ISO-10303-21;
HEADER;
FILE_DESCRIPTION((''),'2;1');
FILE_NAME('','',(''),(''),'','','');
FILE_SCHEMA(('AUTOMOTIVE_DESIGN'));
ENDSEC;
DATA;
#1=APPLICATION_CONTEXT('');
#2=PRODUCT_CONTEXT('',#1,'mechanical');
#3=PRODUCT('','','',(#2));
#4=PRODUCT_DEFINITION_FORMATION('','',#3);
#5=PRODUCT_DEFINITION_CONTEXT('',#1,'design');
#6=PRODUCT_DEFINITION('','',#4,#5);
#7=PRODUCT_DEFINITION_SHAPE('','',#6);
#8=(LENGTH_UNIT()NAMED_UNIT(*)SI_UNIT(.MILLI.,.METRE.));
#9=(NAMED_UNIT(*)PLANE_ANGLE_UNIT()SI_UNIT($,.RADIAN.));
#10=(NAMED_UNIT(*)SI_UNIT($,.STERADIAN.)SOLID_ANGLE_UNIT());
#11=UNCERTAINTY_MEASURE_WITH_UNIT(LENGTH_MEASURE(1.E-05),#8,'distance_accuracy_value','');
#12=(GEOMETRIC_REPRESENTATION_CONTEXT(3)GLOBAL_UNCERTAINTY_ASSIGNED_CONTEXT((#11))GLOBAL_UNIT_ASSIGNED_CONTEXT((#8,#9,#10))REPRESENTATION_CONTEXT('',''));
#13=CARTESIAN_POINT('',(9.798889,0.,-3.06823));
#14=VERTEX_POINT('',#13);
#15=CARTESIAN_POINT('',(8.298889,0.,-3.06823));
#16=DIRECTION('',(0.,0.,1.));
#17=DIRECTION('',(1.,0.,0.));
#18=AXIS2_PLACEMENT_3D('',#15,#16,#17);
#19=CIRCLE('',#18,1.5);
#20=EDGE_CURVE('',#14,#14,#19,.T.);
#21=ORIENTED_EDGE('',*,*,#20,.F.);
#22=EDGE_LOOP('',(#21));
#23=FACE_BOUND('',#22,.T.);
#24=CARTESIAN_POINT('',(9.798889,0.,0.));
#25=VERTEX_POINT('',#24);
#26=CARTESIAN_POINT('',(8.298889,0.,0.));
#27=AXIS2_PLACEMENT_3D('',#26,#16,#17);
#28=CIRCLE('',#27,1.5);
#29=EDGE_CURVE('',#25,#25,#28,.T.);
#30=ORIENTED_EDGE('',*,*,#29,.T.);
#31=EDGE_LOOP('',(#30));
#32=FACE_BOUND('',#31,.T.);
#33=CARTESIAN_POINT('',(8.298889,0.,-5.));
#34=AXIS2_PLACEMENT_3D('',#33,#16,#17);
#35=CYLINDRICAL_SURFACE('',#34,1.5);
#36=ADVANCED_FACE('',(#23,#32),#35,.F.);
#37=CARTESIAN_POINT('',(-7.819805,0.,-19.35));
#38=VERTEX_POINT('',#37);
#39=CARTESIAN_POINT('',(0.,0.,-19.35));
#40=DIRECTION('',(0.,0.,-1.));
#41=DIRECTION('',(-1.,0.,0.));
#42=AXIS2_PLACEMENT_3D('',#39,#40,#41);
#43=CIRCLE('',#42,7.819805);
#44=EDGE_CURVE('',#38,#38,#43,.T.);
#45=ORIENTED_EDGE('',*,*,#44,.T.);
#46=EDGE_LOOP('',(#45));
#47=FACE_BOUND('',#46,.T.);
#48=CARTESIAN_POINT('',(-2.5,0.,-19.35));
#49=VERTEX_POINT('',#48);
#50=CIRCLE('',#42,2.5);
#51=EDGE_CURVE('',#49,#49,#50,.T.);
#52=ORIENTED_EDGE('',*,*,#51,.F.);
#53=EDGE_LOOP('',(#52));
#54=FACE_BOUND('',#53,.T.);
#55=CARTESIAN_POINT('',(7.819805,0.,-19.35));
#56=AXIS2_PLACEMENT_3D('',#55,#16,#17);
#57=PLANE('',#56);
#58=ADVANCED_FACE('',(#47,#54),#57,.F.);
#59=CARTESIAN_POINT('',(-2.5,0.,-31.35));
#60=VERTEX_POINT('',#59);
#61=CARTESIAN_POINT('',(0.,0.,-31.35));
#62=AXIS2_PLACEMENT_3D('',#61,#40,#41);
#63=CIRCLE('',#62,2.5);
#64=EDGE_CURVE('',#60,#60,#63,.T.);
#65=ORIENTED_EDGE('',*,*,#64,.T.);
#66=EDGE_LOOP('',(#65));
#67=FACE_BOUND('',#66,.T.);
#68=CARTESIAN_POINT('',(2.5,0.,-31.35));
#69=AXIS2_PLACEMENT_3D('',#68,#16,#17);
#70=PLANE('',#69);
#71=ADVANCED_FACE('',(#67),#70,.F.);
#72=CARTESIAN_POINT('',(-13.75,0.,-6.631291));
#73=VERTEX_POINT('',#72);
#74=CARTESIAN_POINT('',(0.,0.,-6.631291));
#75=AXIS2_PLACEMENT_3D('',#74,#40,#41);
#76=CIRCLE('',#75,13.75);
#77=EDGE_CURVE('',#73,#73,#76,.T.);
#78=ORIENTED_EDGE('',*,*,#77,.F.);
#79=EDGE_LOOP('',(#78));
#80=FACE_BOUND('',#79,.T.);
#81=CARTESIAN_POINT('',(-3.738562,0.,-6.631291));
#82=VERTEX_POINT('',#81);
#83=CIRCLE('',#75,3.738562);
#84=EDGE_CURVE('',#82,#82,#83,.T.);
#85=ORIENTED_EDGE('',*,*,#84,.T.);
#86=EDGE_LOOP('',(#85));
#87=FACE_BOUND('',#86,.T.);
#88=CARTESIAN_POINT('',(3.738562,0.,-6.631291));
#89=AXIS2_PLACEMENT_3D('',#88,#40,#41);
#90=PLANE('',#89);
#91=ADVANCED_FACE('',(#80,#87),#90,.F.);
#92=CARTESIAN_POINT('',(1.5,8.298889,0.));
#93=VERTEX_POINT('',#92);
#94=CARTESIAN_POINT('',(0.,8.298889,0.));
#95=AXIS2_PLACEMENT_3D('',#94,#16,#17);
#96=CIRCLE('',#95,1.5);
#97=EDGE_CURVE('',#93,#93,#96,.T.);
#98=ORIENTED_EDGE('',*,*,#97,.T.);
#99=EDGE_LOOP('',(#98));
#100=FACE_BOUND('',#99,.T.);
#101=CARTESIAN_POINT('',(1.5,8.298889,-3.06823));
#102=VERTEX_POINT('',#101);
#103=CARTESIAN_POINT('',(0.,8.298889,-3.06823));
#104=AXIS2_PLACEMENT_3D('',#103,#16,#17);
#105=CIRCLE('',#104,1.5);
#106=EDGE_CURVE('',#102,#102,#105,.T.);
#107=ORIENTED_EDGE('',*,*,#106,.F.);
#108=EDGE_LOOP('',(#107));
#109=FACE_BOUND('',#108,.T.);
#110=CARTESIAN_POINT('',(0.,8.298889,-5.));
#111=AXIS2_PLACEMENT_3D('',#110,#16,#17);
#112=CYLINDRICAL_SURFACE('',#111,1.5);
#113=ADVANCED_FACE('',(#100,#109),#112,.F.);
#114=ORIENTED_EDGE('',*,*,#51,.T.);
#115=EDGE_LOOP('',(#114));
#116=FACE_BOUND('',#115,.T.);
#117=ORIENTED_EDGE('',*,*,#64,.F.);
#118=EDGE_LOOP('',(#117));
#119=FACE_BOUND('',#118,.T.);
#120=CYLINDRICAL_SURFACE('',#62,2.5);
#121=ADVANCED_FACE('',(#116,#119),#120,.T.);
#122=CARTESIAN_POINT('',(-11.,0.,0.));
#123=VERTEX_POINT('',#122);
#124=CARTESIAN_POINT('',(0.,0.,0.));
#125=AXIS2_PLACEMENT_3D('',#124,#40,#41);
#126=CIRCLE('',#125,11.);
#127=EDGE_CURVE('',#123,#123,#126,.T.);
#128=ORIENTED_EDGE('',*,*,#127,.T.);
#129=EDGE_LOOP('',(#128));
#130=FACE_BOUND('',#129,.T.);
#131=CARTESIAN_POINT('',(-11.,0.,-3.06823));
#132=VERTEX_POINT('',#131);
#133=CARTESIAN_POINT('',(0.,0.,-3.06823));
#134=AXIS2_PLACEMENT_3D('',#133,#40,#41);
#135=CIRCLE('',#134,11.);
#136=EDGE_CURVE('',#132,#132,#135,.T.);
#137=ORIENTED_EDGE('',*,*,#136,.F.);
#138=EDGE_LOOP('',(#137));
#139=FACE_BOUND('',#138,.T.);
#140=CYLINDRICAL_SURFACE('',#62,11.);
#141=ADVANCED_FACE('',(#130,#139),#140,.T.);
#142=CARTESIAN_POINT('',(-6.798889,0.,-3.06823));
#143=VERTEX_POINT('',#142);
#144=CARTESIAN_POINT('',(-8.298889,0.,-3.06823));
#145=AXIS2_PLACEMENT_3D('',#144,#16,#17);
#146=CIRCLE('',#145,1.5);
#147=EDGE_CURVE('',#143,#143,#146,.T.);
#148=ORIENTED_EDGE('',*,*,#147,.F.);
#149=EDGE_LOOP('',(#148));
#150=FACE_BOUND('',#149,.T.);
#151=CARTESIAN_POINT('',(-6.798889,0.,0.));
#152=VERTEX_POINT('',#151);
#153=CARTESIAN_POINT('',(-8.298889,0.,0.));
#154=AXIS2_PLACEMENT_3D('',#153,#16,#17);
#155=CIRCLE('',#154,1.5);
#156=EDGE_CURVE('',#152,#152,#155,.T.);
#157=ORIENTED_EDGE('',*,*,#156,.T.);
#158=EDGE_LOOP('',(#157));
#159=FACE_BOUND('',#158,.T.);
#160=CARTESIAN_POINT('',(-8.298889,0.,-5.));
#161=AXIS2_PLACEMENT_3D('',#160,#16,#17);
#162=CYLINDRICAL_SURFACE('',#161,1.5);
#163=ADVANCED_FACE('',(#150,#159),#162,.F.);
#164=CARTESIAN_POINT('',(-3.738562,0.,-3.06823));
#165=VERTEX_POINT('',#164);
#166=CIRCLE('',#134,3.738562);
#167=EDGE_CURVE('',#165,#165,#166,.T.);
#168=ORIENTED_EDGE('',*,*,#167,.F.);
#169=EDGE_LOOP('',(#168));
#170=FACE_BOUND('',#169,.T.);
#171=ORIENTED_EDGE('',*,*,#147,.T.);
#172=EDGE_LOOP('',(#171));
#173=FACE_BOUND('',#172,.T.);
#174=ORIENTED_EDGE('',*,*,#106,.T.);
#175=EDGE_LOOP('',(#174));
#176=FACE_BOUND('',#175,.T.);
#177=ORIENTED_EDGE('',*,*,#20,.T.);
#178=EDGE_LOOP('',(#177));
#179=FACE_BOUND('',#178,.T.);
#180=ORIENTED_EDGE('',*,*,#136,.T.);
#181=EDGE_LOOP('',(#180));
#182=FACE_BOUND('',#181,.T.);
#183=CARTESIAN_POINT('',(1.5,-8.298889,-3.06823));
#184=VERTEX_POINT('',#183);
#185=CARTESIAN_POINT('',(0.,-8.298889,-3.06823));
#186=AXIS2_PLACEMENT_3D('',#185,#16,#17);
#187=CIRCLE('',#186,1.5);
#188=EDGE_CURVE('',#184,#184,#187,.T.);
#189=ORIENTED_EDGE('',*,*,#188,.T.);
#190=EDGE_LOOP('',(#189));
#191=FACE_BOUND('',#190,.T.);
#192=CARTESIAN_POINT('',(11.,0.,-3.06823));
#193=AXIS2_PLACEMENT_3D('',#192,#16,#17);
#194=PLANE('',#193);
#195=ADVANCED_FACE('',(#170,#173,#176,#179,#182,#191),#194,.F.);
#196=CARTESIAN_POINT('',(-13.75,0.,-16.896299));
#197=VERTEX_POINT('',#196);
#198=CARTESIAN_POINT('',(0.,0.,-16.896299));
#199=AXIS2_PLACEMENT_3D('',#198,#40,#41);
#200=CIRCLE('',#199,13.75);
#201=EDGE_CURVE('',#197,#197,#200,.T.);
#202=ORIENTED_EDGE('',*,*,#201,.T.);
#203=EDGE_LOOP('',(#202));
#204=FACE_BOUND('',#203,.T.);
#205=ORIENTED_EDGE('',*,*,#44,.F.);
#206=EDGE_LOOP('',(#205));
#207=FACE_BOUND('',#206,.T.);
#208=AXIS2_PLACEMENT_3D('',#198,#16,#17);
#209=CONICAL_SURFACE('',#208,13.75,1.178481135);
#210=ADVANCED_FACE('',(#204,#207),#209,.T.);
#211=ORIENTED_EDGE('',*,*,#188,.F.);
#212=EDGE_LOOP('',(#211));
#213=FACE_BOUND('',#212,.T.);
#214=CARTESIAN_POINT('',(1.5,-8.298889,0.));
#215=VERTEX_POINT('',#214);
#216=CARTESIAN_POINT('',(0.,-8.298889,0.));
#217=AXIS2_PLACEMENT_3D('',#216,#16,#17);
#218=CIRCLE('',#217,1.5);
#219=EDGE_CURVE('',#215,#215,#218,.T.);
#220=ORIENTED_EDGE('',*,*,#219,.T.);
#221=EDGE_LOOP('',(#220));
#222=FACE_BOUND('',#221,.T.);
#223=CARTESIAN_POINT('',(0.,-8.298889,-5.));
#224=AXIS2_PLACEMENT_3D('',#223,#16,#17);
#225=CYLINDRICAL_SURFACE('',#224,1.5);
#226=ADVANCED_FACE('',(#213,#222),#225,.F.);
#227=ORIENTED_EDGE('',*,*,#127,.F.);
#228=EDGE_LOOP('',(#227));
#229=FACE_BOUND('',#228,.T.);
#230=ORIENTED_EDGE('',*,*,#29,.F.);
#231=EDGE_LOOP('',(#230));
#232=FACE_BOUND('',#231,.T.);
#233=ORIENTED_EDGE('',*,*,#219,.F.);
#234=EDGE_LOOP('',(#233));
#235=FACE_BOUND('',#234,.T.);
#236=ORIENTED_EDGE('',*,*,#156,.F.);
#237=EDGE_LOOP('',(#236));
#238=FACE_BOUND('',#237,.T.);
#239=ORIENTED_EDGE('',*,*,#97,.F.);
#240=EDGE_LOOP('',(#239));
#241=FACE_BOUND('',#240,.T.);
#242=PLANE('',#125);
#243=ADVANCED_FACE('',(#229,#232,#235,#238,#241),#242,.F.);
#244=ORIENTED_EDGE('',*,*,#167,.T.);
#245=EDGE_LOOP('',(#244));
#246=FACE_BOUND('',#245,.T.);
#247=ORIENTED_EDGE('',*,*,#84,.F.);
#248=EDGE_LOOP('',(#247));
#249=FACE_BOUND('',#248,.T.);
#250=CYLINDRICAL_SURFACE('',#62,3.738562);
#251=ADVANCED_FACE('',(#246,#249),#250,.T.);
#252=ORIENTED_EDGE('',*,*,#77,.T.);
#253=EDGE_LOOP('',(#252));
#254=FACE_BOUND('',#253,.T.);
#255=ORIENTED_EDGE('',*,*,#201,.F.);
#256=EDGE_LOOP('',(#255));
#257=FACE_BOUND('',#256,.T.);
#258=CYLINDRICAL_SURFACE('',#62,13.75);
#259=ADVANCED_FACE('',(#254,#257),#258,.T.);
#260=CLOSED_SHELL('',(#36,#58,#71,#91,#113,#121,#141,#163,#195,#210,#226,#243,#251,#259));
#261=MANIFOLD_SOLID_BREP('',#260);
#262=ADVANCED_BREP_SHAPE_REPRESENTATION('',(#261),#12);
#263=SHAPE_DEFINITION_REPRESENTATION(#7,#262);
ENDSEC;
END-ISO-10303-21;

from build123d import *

# Parameters (mm, degrees)
SKETCH2_R          = 1.5
CUT_EXTRUDE1_DEPTH = 5


with BuildPart() as part:
    # Sketch1 → Revolve1 (revolve)
    with BuildSketch(Plane(origin=(0, 0, 0), x_dir=(1, 0, 0), z_dir=(0, 1, 0))):
        Polygon((0, 0), (11, 0), (11, 3.06822983), (3.73856208, 3.06822983), (3.73856208, 6.631290685), (13.75, 6.631290685), (13.75, 16.896299341), (7.819804578, 19.35), (2.5, 19.35), (2.5, 31.35), (0, 31.35), align=None)
    revolve(axis=Axis((0, 0, -31.35), (0, 0, 1)))

    # Sketch2 → Cut-Extrude1 (cut)
    with BuildSketch(Plane.XY):
        with Locations((8.298889382, 0)):
            Circle(SKETCH2_R)
        with Locations((0, -8.298889382)):
            Circle(SKETCH2_R)
        with Locations((-8.298889382, 0)):
            Circle(SKETCH2_R)
        with Locations((0, 8.298889382)):
            Circle(SKETCH2_R)
    extrude(amount=-CUT_EXTRUDE1_DEPTH, mode=Mode.SUBTRACT)


solid = part.part
